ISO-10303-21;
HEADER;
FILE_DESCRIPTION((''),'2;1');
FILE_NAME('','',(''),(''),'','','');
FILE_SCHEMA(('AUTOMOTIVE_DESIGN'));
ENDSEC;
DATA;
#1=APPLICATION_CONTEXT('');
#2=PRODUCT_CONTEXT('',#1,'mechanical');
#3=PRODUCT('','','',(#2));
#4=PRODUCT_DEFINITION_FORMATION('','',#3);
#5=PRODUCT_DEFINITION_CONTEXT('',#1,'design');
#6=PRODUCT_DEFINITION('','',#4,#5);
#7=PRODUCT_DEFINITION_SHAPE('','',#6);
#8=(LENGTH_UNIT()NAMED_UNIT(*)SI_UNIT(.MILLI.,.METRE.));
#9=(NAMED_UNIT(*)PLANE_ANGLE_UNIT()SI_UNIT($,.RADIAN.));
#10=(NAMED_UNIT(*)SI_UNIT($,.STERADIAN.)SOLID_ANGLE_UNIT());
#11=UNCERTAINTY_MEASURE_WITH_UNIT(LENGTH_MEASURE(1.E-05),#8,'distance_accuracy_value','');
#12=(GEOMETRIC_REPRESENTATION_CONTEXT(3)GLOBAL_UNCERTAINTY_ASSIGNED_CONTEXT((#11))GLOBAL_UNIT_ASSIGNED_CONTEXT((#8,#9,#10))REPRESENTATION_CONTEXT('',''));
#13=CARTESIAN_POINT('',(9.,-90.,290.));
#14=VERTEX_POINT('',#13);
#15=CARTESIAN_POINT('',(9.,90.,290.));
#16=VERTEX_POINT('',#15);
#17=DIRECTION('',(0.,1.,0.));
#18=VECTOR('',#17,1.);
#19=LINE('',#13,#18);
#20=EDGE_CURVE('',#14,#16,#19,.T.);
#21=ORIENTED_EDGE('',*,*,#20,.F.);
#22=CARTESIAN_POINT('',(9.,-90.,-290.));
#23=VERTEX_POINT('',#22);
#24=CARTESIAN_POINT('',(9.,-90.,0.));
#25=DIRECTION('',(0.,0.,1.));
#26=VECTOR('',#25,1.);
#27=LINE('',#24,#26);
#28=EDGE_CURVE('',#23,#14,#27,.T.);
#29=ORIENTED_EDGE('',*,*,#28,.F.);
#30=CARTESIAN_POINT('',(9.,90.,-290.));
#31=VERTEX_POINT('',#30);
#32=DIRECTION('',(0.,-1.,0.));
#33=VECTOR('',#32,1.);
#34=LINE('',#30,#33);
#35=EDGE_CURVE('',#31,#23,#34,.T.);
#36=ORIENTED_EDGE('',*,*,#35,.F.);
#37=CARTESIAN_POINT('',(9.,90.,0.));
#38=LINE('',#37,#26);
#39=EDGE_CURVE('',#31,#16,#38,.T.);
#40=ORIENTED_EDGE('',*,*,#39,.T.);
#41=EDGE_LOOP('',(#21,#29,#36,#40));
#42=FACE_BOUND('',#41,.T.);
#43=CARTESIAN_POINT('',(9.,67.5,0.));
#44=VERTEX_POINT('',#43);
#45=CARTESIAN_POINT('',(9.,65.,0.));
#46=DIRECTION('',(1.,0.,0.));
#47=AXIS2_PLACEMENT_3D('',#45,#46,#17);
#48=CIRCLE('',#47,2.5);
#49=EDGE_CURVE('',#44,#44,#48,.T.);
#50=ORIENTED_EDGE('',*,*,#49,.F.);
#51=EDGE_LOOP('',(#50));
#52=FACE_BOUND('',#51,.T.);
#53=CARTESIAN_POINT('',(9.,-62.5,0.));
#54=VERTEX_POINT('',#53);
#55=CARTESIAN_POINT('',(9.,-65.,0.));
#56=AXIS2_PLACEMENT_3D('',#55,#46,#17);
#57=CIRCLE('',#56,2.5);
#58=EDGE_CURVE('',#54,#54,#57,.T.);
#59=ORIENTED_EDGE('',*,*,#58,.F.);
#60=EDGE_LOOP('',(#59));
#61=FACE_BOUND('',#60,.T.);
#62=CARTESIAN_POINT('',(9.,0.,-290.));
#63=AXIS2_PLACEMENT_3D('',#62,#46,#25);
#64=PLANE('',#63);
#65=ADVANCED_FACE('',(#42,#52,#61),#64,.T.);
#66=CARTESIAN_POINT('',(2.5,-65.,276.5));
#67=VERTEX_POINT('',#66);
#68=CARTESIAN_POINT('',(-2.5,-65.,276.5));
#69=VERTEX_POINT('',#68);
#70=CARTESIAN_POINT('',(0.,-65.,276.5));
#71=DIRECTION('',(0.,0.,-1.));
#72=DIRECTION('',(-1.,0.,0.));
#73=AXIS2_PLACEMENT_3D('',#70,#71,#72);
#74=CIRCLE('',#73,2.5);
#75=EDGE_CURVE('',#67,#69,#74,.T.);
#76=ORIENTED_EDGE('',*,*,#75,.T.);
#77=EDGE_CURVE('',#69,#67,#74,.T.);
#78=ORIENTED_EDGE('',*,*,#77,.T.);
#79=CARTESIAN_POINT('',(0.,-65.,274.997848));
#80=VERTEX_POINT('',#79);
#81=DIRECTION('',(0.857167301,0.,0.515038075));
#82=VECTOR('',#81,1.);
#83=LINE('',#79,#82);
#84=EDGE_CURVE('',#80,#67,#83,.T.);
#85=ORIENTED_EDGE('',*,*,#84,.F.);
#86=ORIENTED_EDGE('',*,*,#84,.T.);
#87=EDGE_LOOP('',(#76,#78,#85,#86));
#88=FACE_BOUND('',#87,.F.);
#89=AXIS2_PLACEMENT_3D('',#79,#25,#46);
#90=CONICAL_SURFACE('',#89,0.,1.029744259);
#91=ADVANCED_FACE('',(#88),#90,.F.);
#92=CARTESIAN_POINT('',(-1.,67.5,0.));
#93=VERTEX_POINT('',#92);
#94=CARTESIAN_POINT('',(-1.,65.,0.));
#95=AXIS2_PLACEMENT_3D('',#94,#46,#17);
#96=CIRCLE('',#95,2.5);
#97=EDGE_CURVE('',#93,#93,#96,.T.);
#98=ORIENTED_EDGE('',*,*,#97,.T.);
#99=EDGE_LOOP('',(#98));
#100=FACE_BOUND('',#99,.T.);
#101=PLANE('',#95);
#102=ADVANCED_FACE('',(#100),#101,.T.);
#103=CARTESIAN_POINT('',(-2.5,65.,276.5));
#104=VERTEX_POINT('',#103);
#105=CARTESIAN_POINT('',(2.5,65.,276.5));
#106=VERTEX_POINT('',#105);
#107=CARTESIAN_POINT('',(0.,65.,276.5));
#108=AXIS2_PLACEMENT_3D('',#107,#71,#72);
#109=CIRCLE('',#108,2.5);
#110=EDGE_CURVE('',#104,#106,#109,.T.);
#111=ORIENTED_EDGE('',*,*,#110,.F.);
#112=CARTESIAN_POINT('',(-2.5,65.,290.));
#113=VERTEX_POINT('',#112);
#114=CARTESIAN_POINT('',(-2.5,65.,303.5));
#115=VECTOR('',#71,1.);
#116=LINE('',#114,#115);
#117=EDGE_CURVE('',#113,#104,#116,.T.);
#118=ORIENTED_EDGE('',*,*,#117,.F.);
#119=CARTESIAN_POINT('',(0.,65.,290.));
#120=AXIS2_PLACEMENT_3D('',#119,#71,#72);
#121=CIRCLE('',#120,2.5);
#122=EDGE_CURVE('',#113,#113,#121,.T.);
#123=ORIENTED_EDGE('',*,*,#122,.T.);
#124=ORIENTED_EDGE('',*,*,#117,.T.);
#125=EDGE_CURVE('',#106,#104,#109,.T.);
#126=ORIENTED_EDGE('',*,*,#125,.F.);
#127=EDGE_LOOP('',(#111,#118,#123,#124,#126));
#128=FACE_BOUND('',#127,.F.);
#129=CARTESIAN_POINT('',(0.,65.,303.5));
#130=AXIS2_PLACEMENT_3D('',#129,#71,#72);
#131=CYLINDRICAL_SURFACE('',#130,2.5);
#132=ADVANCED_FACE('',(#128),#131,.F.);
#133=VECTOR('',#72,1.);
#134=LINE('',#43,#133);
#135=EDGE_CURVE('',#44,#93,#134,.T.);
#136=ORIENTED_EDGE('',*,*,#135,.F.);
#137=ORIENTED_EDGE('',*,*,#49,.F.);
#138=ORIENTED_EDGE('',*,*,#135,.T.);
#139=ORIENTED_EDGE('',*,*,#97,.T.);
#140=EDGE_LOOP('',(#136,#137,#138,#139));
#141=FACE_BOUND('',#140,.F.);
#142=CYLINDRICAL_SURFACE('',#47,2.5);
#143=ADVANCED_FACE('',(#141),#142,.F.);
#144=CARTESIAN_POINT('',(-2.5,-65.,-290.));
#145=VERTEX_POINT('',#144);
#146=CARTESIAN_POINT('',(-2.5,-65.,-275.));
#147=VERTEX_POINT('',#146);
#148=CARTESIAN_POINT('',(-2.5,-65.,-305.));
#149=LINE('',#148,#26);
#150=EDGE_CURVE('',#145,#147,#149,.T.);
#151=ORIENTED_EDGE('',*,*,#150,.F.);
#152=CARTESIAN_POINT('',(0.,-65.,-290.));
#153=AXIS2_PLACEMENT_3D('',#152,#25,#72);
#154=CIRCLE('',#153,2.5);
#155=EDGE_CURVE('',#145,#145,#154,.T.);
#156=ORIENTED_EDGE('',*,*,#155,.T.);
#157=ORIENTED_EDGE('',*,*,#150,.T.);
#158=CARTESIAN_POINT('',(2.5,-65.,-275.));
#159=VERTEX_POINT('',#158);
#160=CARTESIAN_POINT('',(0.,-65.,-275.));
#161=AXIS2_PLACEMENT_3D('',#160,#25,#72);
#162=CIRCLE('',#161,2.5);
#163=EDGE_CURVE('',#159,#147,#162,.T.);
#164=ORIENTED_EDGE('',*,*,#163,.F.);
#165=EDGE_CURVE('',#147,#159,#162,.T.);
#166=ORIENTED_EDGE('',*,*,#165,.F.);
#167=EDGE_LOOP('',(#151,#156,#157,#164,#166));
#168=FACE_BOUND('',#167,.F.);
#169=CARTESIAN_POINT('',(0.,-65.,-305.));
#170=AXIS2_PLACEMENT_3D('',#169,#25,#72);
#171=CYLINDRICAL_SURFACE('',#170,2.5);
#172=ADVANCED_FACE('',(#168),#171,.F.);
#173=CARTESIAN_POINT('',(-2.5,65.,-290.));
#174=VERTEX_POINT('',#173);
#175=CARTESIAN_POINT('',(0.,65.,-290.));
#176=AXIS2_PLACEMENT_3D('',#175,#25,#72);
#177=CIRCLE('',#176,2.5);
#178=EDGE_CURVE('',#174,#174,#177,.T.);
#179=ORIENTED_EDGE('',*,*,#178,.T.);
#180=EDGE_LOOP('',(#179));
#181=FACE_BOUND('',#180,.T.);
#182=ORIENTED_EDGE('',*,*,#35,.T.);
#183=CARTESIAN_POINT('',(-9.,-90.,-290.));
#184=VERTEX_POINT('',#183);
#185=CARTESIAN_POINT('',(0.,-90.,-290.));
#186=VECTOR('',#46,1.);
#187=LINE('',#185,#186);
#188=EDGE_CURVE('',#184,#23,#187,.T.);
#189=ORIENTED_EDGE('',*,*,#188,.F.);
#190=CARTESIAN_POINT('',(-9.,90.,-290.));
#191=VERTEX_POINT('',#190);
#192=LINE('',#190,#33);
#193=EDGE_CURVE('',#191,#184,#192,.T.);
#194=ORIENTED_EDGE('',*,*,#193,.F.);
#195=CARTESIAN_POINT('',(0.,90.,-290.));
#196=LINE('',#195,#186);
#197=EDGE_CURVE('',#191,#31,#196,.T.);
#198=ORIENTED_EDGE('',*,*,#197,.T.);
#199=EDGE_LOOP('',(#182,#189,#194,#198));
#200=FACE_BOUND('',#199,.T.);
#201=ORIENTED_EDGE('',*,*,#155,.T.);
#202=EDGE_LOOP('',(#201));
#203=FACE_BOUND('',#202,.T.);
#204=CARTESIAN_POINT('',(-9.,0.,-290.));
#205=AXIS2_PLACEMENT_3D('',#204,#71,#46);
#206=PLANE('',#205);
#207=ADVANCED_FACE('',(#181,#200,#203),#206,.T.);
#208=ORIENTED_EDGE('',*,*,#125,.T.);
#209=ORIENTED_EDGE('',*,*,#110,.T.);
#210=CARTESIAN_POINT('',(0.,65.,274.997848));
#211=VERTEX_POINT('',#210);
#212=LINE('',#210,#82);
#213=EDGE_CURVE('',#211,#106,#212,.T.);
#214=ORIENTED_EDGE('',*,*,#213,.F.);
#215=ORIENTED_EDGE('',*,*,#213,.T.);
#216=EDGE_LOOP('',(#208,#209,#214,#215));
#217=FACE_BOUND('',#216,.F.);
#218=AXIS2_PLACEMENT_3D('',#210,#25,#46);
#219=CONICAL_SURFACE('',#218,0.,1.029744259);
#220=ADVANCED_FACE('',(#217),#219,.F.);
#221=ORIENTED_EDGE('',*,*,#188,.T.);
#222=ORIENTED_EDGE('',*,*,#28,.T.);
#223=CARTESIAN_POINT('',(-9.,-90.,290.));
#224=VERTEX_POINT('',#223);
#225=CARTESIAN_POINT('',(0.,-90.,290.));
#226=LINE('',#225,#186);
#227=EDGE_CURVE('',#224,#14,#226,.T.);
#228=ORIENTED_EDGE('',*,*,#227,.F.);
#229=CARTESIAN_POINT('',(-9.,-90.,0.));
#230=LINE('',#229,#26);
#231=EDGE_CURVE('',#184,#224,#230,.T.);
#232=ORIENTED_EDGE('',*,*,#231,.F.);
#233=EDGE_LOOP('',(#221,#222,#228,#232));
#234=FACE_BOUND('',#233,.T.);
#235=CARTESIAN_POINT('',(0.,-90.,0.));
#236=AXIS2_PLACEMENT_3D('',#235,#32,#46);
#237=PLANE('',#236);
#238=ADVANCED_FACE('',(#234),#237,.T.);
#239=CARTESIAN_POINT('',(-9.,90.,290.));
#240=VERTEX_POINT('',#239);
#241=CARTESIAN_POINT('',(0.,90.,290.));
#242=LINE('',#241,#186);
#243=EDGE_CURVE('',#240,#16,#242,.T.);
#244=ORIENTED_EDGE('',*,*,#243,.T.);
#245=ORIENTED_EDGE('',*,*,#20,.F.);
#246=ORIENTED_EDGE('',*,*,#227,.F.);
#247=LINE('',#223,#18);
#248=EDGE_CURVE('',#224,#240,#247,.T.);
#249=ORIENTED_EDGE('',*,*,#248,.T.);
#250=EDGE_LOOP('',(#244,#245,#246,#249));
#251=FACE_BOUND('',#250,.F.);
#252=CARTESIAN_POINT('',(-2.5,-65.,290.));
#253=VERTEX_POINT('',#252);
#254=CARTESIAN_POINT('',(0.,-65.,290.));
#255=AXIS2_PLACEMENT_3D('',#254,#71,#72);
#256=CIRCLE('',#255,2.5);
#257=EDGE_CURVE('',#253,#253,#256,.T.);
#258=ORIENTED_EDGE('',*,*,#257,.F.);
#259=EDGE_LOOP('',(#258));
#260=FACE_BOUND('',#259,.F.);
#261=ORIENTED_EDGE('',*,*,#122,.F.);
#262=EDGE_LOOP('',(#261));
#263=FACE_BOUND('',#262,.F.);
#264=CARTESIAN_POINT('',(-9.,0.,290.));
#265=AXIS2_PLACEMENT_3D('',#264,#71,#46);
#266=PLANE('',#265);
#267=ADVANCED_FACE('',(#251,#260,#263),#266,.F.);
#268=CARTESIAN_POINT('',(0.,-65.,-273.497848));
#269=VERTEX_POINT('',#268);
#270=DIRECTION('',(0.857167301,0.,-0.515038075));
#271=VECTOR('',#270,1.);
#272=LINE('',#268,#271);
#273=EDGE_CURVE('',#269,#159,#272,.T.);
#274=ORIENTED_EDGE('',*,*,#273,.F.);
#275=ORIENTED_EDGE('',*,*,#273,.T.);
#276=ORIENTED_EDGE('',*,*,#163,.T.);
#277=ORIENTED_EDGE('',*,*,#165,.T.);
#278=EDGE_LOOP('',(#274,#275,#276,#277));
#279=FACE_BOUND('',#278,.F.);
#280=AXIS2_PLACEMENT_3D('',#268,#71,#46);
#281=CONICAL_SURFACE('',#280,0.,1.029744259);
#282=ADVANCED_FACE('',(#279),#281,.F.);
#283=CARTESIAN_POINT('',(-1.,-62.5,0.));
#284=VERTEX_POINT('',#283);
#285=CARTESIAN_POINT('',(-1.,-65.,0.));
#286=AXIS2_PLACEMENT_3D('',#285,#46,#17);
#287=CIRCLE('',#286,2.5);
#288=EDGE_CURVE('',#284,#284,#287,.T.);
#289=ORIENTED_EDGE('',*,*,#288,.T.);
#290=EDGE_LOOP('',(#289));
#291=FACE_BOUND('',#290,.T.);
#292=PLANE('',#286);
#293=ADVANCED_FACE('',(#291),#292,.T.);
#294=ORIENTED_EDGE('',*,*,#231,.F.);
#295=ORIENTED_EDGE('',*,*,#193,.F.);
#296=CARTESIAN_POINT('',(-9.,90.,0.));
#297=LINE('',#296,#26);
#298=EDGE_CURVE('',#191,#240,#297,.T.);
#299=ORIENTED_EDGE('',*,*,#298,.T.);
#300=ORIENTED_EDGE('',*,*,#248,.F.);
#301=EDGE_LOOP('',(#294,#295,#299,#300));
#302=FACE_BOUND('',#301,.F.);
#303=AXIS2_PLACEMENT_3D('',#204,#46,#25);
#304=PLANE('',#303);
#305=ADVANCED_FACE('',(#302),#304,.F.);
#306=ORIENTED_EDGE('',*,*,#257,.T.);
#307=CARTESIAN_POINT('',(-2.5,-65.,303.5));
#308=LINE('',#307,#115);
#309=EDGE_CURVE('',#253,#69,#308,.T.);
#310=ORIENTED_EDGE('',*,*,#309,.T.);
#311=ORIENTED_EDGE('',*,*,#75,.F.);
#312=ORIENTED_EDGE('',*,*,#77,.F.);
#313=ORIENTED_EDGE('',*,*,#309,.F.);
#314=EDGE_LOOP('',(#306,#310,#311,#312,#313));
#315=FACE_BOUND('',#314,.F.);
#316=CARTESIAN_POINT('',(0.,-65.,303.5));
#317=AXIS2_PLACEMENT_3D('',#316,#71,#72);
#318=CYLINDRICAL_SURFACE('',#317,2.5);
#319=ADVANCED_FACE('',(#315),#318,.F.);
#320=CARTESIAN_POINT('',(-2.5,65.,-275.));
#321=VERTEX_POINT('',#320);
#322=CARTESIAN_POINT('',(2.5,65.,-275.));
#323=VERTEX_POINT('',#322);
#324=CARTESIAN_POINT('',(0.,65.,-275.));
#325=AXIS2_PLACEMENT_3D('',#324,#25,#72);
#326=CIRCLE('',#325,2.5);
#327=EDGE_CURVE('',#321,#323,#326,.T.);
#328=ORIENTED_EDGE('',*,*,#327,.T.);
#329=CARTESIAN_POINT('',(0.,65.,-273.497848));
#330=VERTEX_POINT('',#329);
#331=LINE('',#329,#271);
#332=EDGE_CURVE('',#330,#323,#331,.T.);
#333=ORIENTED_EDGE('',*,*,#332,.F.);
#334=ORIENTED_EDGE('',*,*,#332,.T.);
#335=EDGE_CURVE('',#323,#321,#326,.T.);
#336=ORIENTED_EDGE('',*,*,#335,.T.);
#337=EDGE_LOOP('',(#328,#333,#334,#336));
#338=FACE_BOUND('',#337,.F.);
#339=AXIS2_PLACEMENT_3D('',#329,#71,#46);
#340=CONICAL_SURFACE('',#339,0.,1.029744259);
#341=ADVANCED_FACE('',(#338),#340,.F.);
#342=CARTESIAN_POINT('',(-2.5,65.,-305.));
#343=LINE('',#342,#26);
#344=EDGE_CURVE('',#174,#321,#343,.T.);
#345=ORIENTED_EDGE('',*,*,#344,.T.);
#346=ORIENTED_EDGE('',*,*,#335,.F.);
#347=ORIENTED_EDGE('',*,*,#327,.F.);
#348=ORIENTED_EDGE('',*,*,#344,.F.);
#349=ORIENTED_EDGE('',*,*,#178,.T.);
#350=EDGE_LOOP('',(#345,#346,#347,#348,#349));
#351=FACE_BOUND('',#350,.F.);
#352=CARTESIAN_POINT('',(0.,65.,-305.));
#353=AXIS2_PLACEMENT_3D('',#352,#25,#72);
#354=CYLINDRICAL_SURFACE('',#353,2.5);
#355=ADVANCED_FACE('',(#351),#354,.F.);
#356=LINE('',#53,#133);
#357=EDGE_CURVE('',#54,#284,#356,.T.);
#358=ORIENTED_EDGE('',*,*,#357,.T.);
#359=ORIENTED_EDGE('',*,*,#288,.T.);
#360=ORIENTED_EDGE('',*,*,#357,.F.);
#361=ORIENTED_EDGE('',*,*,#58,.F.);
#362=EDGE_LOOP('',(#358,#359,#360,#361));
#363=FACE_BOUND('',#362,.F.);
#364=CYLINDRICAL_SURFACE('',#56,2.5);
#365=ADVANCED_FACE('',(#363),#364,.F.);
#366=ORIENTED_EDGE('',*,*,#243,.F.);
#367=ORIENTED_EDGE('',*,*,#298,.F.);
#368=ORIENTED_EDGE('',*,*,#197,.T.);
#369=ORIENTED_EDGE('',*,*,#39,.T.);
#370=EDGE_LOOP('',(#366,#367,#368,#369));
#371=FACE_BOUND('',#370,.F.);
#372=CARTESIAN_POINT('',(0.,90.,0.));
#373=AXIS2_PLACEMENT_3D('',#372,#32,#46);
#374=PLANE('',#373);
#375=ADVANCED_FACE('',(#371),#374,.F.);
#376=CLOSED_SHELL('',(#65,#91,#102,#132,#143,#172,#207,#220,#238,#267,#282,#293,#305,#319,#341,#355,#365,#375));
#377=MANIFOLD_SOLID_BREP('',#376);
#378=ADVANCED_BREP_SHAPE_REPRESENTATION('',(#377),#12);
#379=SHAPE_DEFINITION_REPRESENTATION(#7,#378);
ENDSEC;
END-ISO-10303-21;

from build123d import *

# Parameters (mm, degrees)
F0_W     = 18
F0_H     = 580
F1_DEPTH = 90
F3_D     = 5
F3_DEPTH = 13.5
F3_TIP   = 1.5021515476
F5_D     = 5
F5_DEPTH = 15
F5_TIP   = 1.5021515476
F6_W     = 180
F6_H     = 580
F6_R     = 2.5
F7_DEPTH = 10
F8_R     = 2.5
F9_DEPTH = 10


with BuildPart() as f1:
    # F0 (on Front) → F1 (new body, symmetric)
    with BuildSketch(Plane.XZ):
        Rectangle(F0_W, F0_H)
    extrude(amount=F1_DEPTH, both=True)

    # F3
    with Locations(Plane.XY.offset(290)):
        with Locations((0, 65), (0, -65)):
            Hole(F3_D / 2, depth=F3_DEPTH)
            with Locations((0, 0, -(F3_DEPTH + F3_TIP / 2))):  # 118° drill point
                Cone(0, F3_D / 2, F3_TIP, mode=Mode.SUBTRACT)

    # F5
    with Locations(Plane(origin=(0, 0, -290), x_dir=(1, 0, 0), z_dir=(0, 0, -1))):
        with Locations((0, 65), (0, -65)):
            Hole(F5_D / 2, depth=F5_DEPTH)
            with Locations((0, 0, -(F5_DEPTH + F5_TIP / 2))):  # 118° drill point
                Cone(0, F5_D / 2, F5_TIP, mode=Mode.SUBTRACT)

    # F6 (on face) → F7 (cut)
    with BuildSketch(Plane.YZ.offset(9)):
        Rectangle(F6_W, F6_H)
        with Locations((-60, 0)):
            Circle(F6_R, mode=Mode.SUBTRACT)
        with Locations((60, 0)):
            Circle(F6_R, mode=Mode.SUBTRACT)
    extrude(amount=F7_DEPTH, mode=Mode.SUBTRACT)

    # F8 (on face) → F9 (cut)
    with BuildSketch(Plane.YZ.offset(9)):
        with Locations((-65, 0)):
            Circle(F8_R)
        with Locations((65, 0)):
            Circle(F8_R)
    extrude(amount=-F9_DEPTH, mode=Mode.SUBTRACT)


solid = f1.part
